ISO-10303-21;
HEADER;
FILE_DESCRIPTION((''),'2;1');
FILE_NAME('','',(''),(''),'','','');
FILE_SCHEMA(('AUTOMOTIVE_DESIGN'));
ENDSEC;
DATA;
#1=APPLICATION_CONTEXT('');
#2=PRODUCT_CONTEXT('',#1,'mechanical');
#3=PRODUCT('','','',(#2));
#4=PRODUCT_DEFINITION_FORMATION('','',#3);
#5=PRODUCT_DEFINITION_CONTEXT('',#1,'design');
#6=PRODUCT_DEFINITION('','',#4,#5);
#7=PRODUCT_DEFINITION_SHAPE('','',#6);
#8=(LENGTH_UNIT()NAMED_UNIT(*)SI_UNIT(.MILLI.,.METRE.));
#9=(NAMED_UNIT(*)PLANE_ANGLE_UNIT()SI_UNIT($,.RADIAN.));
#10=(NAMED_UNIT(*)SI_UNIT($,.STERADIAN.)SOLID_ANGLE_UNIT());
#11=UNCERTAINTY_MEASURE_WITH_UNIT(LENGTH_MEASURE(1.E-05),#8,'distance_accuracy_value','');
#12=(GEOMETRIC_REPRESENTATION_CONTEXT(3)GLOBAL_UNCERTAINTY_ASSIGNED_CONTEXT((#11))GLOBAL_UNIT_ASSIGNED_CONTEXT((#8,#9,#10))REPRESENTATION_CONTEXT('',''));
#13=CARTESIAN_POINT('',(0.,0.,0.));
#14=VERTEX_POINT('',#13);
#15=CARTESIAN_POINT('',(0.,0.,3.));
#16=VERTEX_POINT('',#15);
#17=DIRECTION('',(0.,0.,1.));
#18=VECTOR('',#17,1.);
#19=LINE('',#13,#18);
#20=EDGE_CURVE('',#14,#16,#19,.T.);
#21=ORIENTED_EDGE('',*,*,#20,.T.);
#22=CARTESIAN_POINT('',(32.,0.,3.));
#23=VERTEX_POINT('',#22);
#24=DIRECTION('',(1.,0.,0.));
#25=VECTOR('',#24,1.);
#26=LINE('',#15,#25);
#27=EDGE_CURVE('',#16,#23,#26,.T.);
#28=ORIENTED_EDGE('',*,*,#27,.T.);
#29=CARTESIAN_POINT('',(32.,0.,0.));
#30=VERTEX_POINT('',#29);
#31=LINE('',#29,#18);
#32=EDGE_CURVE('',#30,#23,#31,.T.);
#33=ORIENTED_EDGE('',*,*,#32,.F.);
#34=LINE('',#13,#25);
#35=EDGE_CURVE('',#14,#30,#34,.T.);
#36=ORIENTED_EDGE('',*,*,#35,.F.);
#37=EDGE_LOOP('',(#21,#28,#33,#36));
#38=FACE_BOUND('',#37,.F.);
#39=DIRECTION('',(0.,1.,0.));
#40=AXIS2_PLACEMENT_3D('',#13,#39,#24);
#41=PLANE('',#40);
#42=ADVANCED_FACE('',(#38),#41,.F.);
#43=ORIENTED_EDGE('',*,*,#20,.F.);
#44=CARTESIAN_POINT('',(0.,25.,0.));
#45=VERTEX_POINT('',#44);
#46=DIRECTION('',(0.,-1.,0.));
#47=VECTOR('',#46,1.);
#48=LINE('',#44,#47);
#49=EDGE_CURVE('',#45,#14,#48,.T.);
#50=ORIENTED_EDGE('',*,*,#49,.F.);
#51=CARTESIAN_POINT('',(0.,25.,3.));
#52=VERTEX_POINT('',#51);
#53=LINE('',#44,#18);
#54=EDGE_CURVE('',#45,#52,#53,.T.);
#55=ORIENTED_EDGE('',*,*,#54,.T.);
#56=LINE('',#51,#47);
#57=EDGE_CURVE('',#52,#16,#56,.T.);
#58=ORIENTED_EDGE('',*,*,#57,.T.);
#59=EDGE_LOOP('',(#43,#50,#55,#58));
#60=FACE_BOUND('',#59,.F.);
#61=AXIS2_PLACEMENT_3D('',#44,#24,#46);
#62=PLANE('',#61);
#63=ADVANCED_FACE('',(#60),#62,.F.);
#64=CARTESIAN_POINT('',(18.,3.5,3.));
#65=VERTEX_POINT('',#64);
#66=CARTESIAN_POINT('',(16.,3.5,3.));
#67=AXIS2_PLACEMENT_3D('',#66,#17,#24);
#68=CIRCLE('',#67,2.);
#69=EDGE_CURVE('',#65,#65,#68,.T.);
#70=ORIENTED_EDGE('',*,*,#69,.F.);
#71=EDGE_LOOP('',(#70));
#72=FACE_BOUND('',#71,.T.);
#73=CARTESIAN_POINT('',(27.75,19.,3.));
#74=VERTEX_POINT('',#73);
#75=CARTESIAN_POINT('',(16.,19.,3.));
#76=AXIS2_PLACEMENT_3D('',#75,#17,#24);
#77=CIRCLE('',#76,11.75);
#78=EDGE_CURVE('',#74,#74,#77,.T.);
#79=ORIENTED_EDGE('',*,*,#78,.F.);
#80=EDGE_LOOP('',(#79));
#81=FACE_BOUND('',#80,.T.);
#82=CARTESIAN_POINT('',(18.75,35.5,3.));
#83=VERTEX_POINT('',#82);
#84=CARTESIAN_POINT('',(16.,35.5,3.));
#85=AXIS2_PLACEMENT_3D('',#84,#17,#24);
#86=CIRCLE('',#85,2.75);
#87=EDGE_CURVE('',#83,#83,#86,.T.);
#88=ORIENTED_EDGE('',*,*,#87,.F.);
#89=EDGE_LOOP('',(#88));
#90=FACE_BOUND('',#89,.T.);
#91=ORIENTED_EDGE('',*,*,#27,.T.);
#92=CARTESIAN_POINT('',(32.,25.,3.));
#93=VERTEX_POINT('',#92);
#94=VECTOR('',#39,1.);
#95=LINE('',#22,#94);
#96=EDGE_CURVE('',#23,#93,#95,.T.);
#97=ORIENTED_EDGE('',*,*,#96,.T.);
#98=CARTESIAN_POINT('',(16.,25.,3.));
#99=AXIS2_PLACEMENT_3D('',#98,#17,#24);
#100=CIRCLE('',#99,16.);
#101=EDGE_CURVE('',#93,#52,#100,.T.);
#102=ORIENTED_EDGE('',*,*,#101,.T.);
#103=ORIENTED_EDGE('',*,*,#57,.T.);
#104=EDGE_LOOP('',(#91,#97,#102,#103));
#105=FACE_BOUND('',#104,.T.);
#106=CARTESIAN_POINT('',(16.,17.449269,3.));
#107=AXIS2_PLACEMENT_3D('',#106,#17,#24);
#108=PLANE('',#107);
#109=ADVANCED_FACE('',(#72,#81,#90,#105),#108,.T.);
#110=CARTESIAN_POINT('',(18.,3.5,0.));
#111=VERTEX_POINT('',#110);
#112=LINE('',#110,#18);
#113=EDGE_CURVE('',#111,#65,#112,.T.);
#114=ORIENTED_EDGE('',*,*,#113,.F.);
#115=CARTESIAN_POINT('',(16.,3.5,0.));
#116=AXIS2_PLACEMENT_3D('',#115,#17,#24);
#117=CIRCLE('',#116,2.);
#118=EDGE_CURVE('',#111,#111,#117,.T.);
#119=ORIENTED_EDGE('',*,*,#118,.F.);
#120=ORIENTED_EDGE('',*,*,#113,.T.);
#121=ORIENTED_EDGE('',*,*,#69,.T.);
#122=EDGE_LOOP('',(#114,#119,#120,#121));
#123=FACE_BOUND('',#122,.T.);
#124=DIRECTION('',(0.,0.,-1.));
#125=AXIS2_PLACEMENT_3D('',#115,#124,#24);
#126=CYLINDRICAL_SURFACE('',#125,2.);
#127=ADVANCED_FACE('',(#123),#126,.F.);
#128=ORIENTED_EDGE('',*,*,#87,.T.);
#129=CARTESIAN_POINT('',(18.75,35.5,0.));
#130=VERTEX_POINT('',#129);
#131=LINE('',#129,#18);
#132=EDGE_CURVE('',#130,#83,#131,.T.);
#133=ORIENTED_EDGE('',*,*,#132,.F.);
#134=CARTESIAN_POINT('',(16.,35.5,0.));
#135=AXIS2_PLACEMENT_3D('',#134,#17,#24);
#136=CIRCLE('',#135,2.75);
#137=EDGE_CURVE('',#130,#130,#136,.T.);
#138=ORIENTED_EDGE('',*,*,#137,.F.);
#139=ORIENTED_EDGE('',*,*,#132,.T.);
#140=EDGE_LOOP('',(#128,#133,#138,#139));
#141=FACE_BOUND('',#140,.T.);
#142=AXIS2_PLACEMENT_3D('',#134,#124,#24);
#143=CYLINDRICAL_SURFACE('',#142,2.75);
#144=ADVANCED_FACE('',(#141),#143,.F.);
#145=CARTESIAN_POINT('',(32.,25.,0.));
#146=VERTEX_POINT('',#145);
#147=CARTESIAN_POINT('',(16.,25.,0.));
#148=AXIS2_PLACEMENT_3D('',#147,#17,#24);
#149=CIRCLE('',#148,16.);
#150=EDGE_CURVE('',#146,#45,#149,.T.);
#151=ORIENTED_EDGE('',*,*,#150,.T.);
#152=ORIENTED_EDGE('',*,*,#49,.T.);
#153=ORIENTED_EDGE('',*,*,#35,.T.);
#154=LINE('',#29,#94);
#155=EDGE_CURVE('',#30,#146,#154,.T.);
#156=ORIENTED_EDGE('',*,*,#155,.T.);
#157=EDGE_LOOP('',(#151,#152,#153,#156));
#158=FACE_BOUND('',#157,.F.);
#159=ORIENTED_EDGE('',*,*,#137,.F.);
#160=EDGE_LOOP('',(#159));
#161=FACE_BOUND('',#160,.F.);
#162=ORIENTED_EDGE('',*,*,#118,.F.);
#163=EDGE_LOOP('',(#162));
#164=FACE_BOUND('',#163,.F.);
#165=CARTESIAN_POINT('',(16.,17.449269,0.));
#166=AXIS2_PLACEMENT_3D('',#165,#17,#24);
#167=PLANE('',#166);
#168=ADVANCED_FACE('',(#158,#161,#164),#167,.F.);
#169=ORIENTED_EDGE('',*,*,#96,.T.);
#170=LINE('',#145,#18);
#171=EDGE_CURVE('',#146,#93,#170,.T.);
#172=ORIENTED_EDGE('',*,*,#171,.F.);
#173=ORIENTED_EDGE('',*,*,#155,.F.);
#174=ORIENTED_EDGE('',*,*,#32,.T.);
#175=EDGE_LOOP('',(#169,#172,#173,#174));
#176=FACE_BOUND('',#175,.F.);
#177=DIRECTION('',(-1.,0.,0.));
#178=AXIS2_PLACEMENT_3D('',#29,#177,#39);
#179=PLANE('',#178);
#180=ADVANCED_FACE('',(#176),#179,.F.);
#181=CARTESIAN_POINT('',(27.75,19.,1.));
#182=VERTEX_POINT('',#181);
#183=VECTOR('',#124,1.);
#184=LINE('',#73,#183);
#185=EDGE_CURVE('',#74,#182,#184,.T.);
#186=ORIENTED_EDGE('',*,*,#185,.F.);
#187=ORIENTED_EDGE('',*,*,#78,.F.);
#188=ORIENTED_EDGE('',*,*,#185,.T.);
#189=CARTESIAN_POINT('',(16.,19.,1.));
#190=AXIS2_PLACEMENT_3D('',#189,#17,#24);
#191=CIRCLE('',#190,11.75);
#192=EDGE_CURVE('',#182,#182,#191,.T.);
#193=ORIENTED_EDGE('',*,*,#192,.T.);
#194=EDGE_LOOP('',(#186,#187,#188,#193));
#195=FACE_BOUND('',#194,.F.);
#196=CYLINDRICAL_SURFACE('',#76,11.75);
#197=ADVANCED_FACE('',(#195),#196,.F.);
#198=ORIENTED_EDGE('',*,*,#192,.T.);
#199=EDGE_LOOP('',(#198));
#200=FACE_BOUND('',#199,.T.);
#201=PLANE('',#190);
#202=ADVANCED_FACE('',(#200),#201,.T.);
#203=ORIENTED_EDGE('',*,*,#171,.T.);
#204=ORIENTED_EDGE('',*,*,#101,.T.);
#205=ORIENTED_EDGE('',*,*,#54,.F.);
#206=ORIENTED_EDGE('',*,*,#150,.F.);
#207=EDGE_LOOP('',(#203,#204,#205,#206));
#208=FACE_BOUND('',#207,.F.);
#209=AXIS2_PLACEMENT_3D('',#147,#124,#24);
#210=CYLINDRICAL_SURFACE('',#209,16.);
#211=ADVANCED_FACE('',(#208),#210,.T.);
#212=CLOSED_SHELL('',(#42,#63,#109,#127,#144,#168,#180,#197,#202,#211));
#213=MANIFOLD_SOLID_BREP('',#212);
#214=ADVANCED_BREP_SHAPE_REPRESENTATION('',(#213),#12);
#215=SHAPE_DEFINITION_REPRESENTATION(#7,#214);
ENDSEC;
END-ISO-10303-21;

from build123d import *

# Parameters (mm, degrees)
F0_R     = 2
F0_R_2   = 2.75
F1_DEPTH = 3
F2_R     = 11.75
F3_DEPTH = 2


with BuildPart() as f1:
    # F0 (on Top) → F1 (new body)
    with BuildSketch(Plane.XY):
        with BuildLine():
            Line((0, 25), (0, 0))
            Line((0, 0), (32, 0))
            Line((32, 0), (32, 25))
            ThreePointArc((32, 25), (16, 41), (0, 25))
        make_face()
        with Locations((16, 3.5)):
            Circle(F0_R, mode=Mode.SUBTRACT)
        with Locations((16, 35.5)):
            Circle(F0_R_2, mode=Mode.SUBTRACT)
    extrude(amount=F1_DEPTH)

    # F2 (on face) → F3 (cut)
    with BuildSketch(Plane.XY.offset(3)):
        with Locations((16, 19)):
            Circle(F2_R)
    extrude(amount=-F3_DEPTH, mode=Mode.SUBTRACT)


solid = f1.part
